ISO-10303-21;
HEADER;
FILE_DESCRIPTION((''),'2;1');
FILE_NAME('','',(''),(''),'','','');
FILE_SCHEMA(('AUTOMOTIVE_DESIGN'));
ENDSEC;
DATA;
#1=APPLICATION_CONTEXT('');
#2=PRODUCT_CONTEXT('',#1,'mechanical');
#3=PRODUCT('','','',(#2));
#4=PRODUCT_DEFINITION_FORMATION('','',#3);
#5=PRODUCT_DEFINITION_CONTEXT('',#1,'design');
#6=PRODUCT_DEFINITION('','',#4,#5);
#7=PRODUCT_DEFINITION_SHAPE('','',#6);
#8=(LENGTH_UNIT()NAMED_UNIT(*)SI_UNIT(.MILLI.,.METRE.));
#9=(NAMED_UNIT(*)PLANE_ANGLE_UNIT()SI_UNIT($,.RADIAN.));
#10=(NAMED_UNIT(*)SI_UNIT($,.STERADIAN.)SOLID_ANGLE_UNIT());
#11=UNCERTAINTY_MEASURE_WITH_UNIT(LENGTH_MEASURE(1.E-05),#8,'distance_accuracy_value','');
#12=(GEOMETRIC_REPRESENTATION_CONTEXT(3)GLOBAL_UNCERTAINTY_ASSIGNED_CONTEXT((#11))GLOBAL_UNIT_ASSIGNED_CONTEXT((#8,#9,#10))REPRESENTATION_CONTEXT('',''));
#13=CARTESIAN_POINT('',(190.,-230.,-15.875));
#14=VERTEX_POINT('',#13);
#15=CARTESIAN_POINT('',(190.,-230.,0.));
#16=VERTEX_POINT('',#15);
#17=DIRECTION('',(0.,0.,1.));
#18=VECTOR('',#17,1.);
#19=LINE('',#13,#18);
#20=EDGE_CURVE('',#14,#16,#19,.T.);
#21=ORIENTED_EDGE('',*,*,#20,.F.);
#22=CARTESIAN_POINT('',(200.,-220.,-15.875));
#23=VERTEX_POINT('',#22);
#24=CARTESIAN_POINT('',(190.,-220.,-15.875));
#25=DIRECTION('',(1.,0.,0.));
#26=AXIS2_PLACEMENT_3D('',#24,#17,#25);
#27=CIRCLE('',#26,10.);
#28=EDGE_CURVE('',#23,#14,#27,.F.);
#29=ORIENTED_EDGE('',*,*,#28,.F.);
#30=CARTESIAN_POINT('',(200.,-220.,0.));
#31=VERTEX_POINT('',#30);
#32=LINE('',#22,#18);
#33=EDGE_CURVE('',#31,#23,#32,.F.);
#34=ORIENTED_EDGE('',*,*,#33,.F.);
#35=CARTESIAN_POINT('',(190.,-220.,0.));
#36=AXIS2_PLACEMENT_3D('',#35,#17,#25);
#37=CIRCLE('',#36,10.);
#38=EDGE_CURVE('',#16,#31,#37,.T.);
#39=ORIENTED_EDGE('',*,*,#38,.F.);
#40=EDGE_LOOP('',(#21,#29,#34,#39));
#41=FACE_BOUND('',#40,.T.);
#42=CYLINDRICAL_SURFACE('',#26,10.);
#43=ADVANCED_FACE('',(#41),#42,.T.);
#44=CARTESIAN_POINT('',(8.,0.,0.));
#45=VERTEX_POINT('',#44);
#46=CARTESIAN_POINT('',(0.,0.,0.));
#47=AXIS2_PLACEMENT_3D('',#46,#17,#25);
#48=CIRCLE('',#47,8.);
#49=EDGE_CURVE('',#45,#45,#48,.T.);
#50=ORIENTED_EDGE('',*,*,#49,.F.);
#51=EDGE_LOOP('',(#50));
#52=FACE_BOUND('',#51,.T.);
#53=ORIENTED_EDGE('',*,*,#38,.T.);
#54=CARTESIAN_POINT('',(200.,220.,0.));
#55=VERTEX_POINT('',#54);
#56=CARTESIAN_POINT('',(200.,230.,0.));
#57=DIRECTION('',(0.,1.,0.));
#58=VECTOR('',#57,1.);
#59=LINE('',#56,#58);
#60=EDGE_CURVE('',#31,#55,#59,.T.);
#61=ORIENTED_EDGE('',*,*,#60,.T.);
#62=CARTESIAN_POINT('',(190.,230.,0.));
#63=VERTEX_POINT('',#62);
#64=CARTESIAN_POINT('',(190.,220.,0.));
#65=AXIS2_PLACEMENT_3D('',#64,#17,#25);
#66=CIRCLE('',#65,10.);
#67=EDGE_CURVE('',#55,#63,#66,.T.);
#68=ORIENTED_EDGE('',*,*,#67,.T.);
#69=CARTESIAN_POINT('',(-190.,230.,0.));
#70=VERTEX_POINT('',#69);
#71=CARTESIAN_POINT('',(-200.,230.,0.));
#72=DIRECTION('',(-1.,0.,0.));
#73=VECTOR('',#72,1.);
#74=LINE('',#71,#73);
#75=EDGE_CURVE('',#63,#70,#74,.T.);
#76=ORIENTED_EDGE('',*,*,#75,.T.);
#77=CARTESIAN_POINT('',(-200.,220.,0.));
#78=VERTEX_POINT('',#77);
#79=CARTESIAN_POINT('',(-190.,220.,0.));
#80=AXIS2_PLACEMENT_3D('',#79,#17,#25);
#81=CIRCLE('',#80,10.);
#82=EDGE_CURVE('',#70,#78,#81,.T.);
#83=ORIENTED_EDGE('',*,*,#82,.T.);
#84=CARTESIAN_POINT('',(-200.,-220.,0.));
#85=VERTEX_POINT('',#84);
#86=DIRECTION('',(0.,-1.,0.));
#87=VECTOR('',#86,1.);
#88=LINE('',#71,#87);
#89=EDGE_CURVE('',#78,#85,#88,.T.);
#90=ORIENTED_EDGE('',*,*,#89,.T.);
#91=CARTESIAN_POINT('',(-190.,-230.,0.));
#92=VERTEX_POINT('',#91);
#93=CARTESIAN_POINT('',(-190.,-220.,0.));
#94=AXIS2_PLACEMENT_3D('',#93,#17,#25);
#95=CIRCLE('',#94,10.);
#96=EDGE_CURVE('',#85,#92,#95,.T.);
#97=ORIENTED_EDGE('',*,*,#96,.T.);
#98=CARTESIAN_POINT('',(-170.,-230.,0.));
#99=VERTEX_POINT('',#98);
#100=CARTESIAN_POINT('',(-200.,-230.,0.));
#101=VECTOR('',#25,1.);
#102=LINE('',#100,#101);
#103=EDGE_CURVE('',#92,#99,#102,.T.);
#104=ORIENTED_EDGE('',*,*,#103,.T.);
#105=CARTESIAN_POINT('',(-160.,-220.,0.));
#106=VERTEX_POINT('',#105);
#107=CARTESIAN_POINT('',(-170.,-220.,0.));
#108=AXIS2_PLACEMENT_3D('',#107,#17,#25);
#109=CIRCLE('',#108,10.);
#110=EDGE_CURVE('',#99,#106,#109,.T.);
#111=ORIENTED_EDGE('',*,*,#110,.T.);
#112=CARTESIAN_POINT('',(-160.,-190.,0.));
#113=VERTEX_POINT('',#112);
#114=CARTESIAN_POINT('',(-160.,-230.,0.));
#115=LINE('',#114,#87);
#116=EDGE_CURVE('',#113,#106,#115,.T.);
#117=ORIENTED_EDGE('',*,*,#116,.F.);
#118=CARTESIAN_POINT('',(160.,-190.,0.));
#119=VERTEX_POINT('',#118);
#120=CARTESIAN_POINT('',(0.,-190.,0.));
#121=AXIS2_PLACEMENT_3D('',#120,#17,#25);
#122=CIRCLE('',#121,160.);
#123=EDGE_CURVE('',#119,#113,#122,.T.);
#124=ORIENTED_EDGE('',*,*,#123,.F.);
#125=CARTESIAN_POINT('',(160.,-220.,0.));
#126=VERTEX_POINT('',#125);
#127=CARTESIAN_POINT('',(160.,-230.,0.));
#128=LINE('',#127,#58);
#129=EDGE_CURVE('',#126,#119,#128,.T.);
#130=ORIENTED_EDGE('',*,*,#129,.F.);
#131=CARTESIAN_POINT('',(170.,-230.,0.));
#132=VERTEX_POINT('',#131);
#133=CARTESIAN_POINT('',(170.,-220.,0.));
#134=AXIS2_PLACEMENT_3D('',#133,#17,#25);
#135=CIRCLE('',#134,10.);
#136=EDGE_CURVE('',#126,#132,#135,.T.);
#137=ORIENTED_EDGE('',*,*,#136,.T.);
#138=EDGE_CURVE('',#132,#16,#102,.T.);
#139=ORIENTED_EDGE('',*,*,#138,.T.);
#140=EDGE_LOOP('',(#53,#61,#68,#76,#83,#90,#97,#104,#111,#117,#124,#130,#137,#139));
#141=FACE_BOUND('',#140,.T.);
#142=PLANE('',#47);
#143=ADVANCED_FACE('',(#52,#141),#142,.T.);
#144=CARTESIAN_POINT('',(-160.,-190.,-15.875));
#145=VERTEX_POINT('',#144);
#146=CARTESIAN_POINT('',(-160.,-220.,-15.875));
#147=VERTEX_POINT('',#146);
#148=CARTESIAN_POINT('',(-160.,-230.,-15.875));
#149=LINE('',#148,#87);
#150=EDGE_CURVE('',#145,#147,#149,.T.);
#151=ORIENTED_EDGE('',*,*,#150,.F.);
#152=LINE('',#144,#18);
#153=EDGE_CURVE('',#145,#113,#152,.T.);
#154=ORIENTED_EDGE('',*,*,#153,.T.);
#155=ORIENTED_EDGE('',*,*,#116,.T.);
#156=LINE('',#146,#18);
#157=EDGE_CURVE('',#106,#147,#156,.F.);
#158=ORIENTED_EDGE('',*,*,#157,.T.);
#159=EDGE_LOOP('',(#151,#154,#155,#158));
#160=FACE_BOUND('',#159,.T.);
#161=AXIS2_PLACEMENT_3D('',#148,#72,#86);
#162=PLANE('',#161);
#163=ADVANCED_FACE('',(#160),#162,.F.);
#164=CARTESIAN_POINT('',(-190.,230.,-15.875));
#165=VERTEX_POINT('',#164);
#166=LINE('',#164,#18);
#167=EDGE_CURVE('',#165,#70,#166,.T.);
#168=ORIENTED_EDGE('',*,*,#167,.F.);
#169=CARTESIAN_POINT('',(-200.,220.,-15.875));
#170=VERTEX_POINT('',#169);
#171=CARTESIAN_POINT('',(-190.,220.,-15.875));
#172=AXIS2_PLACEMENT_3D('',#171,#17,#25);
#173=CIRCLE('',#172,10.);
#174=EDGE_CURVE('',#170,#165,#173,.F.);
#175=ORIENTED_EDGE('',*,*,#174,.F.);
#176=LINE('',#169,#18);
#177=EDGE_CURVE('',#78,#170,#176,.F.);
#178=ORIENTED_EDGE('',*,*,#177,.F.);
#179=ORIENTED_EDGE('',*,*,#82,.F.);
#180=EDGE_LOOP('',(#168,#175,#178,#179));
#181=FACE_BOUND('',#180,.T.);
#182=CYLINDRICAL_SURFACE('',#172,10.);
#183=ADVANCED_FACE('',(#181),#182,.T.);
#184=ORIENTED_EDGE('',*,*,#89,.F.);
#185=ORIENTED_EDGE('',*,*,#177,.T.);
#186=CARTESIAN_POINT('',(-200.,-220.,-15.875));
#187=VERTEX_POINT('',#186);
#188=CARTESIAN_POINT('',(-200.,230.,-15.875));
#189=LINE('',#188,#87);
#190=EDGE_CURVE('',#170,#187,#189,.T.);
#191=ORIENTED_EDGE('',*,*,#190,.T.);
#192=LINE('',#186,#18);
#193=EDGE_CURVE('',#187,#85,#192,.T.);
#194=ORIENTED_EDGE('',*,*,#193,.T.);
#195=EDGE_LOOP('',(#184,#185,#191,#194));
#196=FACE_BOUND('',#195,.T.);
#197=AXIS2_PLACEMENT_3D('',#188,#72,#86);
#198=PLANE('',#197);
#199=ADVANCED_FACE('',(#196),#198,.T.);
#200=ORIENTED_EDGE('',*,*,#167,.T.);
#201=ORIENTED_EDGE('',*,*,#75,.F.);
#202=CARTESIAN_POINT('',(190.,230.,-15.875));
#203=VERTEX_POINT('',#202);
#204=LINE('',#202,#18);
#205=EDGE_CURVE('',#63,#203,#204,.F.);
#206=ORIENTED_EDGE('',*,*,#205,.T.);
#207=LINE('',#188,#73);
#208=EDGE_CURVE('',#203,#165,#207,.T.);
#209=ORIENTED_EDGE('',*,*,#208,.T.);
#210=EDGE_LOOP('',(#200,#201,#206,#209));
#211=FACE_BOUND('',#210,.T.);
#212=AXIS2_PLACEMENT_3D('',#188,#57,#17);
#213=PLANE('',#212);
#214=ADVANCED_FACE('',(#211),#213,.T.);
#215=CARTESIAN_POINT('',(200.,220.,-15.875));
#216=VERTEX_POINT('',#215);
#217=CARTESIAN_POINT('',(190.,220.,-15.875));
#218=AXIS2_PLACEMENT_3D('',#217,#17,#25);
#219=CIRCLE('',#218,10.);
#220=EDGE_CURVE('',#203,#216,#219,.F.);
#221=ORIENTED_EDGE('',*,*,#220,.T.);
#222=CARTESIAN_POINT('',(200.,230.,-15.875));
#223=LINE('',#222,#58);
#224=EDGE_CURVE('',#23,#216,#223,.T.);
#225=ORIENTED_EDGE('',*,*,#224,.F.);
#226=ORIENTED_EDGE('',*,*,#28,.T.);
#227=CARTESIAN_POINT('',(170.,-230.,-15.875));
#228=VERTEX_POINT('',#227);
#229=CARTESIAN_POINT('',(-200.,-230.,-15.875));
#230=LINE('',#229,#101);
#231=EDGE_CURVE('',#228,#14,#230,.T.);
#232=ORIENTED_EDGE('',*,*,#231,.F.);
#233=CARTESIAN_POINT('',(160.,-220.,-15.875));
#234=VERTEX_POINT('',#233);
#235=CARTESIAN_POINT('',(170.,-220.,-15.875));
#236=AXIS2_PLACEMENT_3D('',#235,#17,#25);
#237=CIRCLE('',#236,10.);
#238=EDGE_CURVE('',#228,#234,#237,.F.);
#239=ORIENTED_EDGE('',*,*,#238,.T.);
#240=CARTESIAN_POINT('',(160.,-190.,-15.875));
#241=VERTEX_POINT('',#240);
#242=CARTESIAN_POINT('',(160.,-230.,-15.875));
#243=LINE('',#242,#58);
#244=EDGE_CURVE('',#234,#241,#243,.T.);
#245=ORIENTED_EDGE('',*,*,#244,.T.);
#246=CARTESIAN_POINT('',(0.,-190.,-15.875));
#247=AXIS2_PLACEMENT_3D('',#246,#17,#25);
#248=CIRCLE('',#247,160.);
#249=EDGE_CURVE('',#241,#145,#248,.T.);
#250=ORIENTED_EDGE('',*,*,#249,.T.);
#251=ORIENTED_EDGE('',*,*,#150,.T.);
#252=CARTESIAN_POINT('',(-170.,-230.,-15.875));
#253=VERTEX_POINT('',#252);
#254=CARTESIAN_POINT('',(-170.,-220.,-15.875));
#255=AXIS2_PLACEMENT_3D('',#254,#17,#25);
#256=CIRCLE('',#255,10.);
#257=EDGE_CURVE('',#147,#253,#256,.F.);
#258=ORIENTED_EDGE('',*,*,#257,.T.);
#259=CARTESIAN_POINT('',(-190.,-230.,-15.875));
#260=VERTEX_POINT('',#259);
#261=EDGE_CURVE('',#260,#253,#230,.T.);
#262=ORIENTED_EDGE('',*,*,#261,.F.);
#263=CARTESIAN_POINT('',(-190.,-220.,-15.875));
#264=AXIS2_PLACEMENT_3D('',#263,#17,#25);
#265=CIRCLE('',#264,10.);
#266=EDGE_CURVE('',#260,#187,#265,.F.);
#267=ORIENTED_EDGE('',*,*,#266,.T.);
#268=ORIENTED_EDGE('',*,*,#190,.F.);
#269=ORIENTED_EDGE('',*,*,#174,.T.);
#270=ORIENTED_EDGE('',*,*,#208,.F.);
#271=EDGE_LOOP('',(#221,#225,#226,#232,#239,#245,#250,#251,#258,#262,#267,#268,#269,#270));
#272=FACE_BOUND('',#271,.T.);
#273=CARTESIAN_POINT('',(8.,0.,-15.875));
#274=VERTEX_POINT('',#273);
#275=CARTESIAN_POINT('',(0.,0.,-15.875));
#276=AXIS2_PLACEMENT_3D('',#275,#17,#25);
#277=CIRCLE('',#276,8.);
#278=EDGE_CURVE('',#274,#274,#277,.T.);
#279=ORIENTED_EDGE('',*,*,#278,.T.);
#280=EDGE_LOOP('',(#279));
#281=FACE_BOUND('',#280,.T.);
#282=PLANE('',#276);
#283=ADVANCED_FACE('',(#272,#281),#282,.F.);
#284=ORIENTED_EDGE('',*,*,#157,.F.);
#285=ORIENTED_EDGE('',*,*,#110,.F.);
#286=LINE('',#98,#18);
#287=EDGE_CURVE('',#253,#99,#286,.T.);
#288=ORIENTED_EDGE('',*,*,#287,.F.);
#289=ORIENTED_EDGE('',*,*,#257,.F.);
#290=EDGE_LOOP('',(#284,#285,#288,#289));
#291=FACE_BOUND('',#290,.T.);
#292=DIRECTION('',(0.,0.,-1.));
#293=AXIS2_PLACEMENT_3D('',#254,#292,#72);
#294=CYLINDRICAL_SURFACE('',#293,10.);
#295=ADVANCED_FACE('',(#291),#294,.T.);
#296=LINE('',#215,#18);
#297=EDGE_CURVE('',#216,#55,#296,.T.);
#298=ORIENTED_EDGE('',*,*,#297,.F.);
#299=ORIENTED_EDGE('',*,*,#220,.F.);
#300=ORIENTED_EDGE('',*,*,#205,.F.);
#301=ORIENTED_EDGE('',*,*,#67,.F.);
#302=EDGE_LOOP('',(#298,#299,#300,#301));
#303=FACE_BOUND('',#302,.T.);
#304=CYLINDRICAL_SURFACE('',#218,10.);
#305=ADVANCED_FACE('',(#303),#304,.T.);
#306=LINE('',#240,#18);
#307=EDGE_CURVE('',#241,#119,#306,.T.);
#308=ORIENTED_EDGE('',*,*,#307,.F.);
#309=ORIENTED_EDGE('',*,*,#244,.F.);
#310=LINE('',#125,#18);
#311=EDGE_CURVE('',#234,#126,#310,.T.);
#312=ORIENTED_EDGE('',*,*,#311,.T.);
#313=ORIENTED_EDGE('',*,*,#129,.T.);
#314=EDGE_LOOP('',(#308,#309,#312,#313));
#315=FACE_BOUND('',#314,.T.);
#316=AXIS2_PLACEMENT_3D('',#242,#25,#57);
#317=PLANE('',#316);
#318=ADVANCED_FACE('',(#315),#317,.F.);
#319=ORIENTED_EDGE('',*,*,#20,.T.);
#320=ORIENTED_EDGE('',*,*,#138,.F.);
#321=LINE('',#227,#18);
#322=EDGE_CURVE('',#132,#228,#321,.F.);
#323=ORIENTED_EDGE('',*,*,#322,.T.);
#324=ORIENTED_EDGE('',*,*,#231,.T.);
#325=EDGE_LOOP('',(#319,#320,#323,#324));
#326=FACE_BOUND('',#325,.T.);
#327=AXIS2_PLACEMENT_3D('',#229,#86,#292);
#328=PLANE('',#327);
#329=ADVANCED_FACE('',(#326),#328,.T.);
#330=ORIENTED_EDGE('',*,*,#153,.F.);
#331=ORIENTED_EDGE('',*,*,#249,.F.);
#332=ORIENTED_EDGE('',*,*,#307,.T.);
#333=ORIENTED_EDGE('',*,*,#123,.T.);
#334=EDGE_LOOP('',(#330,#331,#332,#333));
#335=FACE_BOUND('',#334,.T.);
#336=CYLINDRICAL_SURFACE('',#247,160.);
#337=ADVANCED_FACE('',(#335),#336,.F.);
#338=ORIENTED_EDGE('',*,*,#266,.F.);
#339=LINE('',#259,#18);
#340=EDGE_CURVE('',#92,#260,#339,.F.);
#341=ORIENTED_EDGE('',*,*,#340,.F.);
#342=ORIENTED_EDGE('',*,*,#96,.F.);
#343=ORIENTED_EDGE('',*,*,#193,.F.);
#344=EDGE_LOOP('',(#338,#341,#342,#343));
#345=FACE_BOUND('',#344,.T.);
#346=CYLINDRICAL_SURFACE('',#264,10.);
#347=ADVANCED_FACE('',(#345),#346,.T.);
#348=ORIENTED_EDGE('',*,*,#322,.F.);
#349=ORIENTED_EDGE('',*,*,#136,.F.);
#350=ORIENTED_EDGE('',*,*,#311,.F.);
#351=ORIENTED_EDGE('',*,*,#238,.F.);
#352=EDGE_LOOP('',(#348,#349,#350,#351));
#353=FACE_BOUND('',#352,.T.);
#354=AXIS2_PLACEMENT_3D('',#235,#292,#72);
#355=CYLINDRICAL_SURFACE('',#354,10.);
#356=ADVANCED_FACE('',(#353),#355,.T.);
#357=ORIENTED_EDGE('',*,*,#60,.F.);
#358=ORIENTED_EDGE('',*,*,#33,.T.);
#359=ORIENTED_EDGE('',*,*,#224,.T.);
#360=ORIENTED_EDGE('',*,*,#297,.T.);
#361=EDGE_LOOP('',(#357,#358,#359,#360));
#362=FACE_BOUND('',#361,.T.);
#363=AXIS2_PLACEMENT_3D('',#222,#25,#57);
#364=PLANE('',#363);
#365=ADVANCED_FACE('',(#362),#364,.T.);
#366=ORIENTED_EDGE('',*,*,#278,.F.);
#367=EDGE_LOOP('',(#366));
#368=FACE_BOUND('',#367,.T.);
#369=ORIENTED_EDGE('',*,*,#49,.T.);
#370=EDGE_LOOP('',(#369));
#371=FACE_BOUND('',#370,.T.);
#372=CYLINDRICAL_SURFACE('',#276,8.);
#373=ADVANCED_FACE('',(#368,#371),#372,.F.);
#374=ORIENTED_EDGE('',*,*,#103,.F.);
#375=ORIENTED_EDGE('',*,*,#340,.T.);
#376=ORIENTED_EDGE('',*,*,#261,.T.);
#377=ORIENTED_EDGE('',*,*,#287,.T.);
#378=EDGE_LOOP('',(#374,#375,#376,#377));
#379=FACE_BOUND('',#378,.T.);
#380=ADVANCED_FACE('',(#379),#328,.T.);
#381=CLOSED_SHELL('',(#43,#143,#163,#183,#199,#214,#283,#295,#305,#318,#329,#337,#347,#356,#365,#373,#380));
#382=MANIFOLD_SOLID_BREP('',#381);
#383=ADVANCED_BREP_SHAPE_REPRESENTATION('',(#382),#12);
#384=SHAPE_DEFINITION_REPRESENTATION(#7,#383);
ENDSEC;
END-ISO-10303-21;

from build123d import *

# Parameters (mm, degrees)
SKETCH1_W           = 400
SKETCH1_H           = 460
BOSS_EXTRUDE1_DEPTH = 15.875
CUT_EXTRUDE1_DEPTH  = 306.208151308
FILLET1_R           = 10
SKETCH3_R           = 8
CUT_EXTRUDE2_DEPTH  = 306.208151308


with BuildPart() as part:
    # Sketch1 → Boss-Extrude1 (new body)
    with BuildSketch(Plane.XY):
        Rectangle(SKETCH1_W, SKETCH1_H)
    extrude(amount=-BOSS_EXTRUDE1_DEPTH)

    # Sketch2 → Cut-Extrude1 (cut, through all)
    with BuildSketch(Plane.XY):
        with BuildLine():
            Line((160, -230), (160, -190))
            ThreePointArc((160, -190), (0, -30), (-160, -190))
            Line((-160, -190), (-160, -230))
            Line((-160, -230), (160, -230))
        make_face()
    extrude(amount=-CUT_EXTRUDE1_DEPTH, mode=Mode.SUBTRACT)

    # Fillet1
    fillet1_edges = [part.edges().sort_by_distance(p)[0] for p in [
        (160, -230, -7.9375),
        (-160, -230, -7.9375),
        (200, -230, -7.9375),
        (-200, -230, -7.9375),
        (-200, 230, -7.9375),
        (200, 230, -7.9375),
    ]]
    fillet(fillet1_edges, radius=FILLET1_R)

    # Sketch3 → Cut-Extrude2 (cut, through all)
    with BuildSketch(Plane.XY):
        Circle(SKETCH3_R)
    extrude(amount=-CUT_EXTRUDE2_DEPTH, mode=Mode.SUBTRACT)


solid = part.part
